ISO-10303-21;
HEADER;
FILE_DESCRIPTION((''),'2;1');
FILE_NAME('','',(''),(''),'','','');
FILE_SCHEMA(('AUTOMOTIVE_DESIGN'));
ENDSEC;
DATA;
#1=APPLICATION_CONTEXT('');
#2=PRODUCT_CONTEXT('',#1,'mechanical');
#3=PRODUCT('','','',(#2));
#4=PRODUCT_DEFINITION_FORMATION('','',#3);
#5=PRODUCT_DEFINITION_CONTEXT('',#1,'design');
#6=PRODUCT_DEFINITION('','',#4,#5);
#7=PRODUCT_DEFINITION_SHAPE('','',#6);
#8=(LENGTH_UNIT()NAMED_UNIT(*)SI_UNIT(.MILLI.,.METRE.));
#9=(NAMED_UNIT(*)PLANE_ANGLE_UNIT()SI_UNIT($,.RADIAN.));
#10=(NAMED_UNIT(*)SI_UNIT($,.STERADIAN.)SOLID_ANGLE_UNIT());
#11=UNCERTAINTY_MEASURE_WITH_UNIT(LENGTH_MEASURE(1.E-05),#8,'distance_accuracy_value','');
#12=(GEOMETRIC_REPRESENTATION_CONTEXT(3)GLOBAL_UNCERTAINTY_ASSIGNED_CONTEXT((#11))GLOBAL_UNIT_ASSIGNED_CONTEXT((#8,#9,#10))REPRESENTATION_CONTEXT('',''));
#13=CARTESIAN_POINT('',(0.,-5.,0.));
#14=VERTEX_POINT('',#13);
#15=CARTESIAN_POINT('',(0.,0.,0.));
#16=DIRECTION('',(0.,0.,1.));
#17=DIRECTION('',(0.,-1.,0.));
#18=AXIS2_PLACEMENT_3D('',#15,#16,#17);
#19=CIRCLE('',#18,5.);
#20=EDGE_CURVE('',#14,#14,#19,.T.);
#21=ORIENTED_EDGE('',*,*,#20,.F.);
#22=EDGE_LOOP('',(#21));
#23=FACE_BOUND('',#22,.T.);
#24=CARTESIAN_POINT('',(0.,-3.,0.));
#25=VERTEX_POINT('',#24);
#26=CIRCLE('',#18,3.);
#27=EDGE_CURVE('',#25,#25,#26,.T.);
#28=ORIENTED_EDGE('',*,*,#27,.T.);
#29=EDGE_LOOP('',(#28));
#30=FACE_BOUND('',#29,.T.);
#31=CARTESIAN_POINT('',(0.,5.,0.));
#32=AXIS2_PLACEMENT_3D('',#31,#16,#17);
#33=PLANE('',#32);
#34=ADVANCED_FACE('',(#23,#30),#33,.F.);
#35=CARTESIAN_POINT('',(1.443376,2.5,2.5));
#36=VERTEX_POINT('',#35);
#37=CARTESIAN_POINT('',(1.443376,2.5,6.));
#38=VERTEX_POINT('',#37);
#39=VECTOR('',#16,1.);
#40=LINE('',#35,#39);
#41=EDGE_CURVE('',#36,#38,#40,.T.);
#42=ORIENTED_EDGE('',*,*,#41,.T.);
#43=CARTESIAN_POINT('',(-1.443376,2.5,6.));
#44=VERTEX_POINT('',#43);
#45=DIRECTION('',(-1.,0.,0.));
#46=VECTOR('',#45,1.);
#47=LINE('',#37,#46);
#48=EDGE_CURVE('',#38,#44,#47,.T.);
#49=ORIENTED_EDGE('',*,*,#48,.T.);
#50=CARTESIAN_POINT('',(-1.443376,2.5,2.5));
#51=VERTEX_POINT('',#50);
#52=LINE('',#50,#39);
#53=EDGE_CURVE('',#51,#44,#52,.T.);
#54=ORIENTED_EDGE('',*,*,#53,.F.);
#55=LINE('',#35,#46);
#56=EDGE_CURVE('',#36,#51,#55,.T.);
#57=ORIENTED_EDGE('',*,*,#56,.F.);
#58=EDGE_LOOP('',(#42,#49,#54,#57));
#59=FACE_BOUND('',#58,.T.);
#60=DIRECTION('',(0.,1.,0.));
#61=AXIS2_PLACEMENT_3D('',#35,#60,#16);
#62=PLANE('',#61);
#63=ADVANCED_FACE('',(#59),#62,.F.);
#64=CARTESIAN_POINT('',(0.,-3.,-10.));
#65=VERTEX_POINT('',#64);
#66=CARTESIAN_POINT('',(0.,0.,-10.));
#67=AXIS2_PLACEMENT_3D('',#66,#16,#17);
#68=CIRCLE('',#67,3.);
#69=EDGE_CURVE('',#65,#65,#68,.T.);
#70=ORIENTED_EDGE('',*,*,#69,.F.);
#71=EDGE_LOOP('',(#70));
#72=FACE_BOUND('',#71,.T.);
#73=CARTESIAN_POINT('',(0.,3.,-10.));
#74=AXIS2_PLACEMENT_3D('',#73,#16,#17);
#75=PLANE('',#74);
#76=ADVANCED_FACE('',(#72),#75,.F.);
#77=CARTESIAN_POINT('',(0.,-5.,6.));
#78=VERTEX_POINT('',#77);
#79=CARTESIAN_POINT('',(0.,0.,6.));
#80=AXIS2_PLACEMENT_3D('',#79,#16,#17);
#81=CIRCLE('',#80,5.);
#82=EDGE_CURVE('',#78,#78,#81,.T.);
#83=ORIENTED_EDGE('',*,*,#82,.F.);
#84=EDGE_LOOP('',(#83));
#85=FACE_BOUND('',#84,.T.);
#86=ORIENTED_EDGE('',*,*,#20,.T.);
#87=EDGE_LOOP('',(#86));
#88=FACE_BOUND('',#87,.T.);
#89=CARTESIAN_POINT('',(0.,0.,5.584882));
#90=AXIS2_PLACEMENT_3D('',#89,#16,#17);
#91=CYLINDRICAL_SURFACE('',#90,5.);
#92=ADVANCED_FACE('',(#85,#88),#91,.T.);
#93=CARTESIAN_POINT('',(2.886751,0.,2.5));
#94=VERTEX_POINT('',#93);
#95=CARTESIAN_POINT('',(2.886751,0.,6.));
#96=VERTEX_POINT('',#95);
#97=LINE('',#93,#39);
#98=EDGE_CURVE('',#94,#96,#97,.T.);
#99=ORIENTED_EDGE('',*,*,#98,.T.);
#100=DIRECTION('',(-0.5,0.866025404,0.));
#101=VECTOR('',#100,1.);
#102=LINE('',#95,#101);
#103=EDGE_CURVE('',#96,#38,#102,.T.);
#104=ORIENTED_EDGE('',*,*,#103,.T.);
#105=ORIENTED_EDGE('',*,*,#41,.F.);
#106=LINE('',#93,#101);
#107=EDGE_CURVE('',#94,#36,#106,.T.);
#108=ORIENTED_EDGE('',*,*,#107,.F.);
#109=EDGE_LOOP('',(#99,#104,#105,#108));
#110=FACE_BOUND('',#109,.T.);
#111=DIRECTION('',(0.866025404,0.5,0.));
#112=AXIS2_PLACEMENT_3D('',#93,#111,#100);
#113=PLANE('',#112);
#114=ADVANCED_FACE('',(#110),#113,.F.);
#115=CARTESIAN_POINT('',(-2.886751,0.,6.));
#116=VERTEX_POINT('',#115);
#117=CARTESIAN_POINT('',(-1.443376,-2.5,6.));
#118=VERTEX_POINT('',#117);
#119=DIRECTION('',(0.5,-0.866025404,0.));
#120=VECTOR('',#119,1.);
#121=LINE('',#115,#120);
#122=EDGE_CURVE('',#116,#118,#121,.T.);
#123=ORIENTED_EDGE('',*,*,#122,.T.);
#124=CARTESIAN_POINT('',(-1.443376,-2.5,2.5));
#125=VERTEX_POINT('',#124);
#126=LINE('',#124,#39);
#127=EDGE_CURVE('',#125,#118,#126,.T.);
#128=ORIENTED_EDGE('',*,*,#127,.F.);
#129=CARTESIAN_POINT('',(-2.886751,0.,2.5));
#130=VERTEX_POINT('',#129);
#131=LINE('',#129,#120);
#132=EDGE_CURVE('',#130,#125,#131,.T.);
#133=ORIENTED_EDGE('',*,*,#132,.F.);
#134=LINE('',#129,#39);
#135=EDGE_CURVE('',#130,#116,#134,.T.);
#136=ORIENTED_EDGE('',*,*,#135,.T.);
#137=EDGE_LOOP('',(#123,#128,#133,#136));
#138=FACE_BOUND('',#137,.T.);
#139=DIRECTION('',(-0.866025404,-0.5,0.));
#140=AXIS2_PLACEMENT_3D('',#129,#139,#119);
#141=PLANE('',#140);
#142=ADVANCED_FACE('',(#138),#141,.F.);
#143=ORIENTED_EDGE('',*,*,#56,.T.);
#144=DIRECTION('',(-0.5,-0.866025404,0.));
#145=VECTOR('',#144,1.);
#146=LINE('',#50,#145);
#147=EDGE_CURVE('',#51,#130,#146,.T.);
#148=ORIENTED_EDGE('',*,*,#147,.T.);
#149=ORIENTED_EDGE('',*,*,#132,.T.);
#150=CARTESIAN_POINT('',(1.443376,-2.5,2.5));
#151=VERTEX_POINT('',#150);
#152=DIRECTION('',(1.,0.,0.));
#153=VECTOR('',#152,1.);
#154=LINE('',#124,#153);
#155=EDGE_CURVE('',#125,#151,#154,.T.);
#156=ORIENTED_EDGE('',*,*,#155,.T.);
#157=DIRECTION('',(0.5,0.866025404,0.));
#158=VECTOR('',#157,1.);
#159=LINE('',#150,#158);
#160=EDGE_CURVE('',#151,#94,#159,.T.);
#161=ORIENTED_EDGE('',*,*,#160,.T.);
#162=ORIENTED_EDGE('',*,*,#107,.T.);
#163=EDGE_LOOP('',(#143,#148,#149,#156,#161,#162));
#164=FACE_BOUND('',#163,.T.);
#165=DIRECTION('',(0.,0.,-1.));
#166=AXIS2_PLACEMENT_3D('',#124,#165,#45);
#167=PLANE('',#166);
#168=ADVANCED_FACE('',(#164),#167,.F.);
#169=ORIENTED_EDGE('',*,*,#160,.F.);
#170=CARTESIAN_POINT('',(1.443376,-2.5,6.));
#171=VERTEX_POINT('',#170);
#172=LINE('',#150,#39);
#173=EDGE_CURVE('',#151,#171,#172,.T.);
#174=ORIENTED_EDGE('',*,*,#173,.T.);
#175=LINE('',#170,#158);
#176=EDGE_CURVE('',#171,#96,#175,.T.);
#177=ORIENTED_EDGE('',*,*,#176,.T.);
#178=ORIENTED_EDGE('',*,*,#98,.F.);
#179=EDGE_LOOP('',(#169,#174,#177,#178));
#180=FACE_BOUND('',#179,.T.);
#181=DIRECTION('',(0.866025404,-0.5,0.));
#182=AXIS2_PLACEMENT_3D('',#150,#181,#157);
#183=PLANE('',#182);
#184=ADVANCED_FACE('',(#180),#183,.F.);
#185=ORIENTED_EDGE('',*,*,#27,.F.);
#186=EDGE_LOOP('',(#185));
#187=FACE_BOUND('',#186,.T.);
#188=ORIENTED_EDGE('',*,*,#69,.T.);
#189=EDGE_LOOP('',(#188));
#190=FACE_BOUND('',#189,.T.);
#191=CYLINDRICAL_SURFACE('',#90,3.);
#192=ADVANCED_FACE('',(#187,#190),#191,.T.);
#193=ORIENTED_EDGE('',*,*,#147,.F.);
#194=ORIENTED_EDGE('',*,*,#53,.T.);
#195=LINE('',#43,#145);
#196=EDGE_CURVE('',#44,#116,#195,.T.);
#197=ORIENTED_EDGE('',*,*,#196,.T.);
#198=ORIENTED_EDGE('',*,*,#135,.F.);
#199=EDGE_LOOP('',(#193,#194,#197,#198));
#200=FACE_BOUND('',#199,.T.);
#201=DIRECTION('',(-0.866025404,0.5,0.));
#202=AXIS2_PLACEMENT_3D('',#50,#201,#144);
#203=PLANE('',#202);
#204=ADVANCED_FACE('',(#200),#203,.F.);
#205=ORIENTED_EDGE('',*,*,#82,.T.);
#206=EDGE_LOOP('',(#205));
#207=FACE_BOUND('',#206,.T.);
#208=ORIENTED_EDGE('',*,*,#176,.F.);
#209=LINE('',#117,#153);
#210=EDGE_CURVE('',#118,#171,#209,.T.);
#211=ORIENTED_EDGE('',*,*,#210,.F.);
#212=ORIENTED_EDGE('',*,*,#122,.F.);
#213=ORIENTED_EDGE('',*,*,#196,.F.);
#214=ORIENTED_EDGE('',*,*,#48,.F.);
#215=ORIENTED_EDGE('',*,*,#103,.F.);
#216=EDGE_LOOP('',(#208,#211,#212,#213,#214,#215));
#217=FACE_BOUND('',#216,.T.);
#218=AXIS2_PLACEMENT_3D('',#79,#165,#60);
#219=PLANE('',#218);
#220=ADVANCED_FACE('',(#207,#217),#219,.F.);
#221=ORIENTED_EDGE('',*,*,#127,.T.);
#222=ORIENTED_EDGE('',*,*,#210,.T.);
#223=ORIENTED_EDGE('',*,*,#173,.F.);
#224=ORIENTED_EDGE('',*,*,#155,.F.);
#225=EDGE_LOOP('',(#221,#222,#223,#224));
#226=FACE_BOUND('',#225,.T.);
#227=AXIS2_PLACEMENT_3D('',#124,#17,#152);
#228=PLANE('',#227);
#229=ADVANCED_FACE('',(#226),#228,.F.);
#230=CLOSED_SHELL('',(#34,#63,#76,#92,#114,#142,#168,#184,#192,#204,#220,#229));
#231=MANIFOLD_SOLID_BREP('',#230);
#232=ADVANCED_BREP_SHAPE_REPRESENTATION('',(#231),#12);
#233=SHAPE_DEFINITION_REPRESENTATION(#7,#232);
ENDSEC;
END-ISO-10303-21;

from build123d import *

# Parameters (mm, degrees)
CUT_EXTRUDE1_DEPTH = 3.5


with BuildPart() as part:
    # Sketch1 → Revolve1 (revolve)
    with BuildSketch(Plane(origin=(0, 0, 0), x_dir=(0, 0, -1), z_dir=(1, 0, 0))):
        Polygon((-6, 0), (-6, 5), (0, 5), (0, 3), (10, 3), (10, 0), align=None)
    revolve(axis=Axis((0, 0, 5.584882278), (0, 0, -1)))

    # Sketch2 → Cut-Extrude1 (cut)
    with BuildSketch(Plane.XY.offset(6)):
        Polygon((1.443375673, -2.5), (2.886751346, 0), (1.443375673, 2.5), (-1.443375673, 2.5), (-2.886751346, 0), (-1.443375673, -2.5), align=None)
    extrude(amount=-CUT_EXTRUDE1_DEPTH, mode=Mode.SUBTRACT)


solid = part.part
